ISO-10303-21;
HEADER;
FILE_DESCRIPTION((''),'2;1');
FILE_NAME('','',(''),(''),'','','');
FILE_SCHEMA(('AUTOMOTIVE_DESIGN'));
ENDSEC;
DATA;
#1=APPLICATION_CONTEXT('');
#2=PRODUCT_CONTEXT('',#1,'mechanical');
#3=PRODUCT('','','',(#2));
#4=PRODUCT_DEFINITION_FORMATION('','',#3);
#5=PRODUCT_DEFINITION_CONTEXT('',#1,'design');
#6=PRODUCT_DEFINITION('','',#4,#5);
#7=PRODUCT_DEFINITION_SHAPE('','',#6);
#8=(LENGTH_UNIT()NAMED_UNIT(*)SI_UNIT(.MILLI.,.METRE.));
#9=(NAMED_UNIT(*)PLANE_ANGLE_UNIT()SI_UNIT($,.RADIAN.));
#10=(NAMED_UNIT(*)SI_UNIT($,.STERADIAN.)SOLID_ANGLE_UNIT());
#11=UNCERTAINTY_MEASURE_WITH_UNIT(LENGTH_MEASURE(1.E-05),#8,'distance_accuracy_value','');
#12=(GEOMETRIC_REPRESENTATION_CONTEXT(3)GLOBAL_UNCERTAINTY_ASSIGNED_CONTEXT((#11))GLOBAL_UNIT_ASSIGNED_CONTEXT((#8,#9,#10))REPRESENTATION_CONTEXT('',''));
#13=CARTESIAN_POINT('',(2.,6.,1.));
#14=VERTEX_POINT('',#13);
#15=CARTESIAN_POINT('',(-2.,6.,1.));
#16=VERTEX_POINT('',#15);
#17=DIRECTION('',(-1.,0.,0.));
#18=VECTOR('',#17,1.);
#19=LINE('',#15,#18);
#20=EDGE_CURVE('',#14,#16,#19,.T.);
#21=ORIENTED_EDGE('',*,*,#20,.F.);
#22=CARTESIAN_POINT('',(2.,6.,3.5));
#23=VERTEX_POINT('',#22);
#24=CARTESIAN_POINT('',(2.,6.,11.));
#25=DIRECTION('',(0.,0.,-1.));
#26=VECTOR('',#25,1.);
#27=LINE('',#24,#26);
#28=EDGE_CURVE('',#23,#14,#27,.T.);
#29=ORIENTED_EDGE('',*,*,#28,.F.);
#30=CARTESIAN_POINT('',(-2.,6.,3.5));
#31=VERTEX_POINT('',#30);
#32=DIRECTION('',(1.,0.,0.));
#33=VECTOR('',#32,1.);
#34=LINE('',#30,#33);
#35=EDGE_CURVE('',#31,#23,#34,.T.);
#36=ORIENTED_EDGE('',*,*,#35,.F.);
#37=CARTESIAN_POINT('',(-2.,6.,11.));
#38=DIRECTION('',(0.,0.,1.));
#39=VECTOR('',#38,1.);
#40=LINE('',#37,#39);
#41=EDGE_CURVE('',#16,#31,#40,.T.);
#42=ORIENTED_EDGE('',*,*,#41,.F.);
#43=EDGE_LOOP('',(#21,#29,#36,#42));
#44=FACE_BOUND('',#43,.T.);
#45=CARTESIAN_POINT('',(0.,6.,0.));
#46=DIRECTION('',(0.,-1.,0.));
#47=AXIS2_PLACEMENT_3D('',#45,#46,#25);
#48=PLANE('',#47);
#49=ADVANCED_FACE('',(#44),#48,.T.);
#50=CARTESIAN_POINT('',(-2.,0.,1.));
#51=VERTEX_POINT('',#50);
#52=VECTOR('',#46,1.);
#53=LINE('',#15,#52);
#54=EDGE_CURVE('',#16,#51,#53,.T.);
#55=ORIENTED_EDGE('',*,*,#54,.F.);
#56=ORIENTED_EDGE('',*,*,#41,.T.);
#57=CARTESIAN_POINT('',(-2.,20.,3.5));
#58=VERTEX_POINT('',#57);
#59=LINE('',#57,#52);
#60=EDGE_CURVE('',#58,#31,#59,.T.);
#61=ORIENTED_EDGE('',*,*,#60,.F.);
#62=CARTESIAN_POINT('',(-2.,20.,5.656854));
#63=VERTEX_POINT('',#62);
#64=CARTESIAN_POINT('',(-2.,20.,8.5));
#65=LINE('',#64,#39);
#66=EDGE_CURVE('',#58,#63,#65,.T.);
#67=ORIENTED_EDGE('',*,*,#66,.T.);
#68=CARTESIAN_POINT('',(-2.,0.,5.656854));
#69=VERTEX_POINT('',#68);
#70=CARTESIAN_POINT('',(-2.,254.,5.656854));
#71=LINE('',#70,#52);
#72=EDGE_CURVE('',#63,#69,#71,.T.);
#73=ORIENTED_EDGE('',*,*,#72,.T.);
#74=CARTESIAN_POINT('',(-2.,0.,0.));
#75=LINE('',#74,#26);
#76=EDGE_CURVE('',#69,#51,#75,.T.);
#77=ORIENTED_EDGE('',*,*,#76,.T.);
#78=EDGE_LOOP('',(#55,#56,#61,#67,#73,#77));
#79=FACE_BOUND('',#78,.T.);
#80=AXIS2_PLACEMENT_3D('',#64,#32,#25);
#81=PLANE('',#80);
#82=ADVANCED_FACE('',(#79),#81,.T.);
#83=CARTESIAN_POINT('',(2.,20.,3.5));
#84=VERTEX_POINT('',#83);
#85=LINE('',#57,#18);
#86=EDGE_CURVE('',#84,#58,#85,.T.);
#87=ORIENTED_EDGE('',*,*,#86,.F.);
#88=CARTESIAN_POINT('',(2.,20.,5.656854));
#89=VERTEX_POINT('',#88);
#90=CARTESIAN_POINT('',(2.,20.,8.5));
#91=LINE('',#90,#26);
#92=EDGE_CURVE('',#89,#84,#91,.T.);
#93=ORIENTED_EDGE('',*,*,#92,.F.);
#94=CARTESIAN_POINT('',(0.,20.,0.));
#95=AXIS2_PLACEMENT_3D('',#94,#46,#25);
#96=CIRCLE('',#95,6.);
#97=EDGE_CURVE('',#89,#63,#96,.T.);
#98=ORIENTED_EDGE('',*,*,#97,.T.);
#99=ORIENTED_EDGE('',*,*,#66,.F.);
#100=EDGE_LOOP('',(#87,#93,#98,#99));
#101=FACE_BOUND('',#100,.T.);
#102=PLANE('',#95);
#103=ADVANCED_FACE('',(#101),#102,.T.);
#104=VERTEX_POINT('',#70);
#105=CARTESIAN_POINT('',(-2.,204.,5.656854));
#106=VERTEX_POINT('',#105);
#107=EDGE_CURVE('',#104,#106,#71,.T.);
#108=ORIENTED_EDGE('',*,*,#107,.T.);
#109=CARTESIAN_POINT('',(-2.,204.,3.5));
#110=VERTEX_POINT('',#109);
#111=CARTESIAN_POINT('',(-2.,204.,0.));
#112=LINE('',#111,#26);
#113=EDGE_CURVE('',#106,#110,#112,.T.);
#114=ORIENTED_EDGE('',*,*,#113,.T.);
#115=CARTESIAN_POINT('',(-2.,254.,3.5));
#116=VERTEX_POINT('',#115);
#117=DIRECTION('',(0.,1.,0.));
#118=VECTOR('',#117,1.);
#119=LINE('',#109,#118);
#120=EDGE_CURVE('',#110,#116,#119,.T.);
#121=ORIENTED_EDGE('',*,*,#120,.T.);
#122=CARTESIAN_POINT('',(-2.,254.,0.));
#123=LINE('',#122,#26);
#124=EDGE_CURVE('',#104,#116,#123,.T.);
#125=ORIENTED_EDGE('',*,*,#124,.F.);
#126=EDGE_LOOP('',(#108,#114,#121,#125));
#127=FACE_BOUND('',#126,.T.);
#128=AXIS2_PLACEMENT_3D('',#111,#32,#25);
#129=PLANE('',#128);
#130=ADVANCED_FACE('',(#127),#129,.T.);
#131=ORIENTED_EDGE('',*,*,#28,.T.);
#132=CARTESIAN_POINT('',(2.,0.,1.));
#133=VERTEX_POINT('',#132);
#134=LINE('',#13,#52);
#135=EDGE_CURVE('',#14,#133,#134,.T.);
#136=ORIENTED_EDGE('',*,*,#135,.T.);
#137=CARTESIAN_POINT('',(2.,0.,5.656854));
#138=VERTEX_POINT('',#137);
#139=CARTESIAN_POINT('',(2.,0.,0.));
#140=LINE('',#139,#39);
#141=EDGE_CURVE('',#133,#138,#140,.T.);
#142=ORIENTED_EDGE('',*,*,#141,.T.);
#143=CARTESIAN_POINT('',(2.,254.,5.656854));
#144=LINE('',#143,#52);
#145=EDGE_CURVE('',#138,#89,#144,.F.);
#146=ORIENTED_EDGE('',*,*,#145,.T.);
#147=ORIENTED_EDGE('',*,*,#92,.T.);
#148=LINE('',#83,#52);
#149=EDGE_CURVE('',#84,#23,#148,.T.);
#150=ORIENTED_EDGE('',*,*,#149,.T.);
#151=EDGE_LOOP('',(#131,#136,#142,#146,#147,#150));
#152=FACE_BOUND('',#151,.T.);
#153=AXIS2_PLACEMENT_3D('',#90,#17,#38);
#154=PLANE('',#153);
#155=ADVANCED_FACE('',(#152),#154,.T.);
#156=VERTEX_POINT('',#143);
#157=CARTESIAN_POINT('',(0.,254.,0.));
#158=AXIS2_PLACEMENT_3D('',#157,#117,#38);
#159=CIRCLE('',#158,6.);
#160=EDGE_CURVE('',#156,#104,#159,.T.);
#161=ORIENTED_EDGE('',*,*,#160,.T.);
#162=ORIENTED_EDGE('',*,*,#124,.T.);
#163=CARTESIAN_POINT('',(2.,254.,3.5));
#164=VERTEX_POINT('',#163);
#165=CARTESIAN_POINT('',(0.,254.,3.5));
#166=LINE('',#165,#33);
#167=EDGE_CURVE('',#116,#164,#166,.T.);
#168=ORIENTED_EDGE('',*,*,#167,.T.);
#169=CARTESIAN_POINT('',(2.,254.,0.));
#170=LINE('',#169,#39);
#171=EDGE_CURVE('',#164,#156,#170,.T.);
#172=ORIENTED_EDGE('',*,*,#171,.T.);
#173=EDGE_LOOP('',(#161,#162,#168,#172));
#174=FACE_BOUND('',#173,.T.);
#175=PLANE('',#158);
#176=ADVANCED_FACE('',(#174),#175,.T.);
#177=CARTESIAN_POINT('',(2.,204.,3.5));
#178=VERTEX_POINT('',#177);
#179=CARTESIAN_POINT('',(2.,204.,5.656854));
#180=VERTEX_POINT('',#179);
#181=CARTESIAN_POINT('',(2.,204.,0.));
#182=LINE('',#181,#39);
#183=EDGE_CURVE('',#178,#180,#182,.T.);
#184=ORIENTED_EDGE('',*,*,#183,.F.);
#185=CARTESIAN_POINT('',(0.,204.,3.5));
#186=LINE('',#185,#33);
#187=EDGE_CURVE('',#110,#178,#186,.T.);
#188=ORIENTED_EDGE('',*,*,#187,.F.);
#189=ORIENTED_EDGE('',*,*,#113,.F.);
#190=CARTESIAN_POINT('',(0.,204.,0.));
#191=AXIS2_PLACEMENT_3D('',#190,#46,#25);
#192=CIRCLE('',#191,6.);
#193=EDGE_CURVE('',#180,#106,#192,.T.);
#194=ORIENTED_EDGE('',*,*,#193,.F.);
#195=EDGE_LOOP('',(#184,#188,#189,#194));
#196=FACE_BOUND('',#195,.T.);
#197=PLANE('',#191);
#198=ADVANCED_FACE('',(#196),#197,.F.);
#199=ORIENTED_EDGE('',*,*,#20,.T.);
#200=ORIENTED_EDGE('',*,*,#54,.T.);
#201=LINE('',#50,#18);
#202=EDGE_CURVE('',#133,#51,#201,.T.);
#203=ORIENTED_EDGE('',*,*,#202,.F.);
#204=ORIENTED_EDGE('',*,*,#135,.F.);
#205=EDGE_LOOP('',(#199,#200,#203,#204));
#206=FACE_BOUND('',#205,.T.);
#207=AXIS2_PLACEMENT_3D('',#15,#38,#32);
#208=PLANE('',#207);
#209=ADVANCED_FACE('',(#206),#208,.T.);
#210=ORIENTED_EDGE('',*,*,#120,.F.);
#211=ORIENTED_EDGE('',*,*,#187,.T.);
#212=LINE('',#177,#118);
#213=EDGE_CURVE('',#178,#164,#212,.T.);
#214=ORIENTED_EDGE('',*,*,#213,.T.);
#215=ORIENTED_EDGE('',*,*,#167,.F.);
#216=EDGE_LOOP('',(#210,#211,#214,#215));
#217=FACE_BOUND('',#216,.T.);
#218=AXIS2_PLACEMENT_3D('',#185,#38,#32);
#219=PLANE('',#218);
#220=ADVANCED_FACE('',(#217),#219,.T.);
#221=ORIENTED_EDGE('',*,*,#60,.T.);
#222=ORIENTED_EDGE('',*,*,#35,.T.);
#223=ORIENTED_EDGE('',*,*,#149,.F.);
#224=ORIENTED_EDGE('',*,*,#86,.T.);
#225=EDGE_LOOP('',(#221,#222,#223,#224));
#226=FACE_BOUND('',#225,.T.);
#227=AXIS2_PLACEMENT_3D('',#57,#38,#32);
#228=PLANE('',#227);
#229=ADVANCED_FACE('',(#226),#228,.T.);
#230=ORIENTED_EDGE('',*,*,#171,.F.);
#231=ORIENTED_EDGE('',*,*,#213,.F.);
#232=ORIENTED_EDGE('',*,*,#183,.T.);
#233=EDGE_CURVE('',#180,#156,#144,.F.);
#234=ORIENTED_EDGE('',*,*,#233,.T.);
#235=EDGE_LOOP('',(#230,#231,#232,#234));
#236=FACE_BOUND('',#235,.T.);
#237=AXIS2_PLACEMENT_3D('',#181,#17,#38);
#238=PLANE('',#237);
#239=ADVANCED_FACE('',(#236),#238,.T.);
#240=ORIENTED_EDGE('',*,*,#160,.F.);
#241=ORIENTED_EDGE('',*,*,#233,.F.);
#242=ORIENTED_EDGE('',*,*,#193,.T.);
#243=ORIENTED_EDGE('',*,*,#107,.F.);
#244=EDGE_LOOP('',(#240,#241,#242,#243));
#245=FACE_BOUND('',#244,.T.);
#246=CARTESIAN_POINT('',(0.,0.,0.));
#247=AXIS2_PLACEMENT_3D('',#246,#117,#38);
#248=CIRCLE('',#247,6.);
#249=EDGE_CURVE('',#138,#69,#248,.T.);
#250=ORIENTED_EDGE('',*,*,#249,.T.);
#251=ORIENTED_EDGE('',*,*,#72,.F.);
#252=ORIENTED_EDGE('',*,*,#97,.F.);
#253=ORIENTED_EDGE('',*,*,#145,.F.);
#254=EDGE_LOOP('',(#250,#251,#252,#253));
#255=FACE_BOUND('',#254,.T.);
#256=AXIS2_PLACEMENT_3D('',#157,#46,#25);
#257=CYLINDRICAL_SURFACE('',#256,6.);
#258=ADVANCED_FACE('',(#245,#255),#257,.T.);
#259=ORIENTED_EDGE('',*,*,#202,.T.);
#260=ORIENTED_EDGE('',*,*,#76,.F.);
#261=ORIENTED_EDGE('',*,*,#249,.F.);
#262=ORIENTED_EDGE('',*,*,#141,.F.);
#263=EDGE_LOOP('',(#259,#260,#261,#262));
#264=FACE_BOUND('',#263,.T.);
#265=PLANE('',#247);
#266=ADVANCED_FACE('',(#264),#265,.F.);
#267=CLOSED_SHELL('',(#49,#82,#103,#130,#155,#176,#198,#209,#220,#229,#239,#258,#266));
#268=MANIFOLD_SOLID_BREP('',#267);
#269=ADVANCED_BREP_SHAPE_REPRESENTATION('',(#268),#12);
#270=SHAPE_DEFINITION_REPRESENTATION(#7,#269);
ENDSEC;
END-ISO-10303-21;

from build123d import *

# Parameters (mm, degrees)
SKETCH1_R               = 6
BOSS_EXTRUDE1_DEPTH     = 254
SKETCH2_W               = 4
SKETCH2_H               = 5
CUT_EXTRUDE3_DEPTH      = 20
CUT_EXTRUDE3_DEPTH_BACK = 0.0001
CUT_EXTRUDE4_START      = 254
SKETCH2_2_W             = 4
SKETCH2_2_H             = 5
CUT_EXTRUDE4_DEPTH      = 50
SKETCH3_W               = 4
SKETCH3_H               = 10
CUT_EXTRUDE6_DEPTH      = 6


with BuildPart() as part:
    # Sketch1 → Boss-Extrude1 (new body)
    with BuildSketch(Plane(origin=(0, 0, 0), x_dir=(1, 0, 0), z_dir=(0, 1, 0))):
        Circle(SKETCH1_R)
    extrude(amount=BOSS_EXTRUDE1_DEPTH)

    # Sketch2 → Cut-Extrude3 (cut, two sides)
    with BuildSketch(Plane(origin=(0, 0, 0), x_dir=(1, 0, 0), z_dir=(0, 1, 0))) as cut_extrude3_sk:
        with Locations((0, -6)):
            Rectangle(SKETCH2_W, SKETCH2_H)
    extrude(amount=CUT_EXTRUDE3_DEPTH, mode=Mode.SUBTRACT)
    extrude(cut_extrude3_sk.sketch, amount=-CUT_EXTRUDE3_DEPTH_BACK, mode=Mode.SUBTRACT)

    # Sketch2<2> → Cut-Extrude4 (cut)
    with BuildSketch(Plane(origin=(0, 0, 0), x_dir=(1, 0, 0), z_dir=(0, 1, 0)).offset(CUT_EXTRUDE4_START)):
        with Locations((0, -6)):
            Rectangle(SKETCH2_2_W, SKETCH2_2_H)
    extrude(amount=-CUT_EXTRUDE4_DEPTH, mode=Mode.SUBTRACT)

    # Sketch3 → Cut-Extrude6 (cut)
    with BuildSketch(Plane(origin=(0, 0, 0), x_dir=(1, 0, 0), z_dir=(0, 1, 0))):
        with Locations((0, -6)):
            Rectangle(SKETCH3_W, SKETCH3_H)
    extrude(amount=CUT_EXTRUDE6_DEPTH, mode=Mode.SUBTRACT)


solid = part.part
